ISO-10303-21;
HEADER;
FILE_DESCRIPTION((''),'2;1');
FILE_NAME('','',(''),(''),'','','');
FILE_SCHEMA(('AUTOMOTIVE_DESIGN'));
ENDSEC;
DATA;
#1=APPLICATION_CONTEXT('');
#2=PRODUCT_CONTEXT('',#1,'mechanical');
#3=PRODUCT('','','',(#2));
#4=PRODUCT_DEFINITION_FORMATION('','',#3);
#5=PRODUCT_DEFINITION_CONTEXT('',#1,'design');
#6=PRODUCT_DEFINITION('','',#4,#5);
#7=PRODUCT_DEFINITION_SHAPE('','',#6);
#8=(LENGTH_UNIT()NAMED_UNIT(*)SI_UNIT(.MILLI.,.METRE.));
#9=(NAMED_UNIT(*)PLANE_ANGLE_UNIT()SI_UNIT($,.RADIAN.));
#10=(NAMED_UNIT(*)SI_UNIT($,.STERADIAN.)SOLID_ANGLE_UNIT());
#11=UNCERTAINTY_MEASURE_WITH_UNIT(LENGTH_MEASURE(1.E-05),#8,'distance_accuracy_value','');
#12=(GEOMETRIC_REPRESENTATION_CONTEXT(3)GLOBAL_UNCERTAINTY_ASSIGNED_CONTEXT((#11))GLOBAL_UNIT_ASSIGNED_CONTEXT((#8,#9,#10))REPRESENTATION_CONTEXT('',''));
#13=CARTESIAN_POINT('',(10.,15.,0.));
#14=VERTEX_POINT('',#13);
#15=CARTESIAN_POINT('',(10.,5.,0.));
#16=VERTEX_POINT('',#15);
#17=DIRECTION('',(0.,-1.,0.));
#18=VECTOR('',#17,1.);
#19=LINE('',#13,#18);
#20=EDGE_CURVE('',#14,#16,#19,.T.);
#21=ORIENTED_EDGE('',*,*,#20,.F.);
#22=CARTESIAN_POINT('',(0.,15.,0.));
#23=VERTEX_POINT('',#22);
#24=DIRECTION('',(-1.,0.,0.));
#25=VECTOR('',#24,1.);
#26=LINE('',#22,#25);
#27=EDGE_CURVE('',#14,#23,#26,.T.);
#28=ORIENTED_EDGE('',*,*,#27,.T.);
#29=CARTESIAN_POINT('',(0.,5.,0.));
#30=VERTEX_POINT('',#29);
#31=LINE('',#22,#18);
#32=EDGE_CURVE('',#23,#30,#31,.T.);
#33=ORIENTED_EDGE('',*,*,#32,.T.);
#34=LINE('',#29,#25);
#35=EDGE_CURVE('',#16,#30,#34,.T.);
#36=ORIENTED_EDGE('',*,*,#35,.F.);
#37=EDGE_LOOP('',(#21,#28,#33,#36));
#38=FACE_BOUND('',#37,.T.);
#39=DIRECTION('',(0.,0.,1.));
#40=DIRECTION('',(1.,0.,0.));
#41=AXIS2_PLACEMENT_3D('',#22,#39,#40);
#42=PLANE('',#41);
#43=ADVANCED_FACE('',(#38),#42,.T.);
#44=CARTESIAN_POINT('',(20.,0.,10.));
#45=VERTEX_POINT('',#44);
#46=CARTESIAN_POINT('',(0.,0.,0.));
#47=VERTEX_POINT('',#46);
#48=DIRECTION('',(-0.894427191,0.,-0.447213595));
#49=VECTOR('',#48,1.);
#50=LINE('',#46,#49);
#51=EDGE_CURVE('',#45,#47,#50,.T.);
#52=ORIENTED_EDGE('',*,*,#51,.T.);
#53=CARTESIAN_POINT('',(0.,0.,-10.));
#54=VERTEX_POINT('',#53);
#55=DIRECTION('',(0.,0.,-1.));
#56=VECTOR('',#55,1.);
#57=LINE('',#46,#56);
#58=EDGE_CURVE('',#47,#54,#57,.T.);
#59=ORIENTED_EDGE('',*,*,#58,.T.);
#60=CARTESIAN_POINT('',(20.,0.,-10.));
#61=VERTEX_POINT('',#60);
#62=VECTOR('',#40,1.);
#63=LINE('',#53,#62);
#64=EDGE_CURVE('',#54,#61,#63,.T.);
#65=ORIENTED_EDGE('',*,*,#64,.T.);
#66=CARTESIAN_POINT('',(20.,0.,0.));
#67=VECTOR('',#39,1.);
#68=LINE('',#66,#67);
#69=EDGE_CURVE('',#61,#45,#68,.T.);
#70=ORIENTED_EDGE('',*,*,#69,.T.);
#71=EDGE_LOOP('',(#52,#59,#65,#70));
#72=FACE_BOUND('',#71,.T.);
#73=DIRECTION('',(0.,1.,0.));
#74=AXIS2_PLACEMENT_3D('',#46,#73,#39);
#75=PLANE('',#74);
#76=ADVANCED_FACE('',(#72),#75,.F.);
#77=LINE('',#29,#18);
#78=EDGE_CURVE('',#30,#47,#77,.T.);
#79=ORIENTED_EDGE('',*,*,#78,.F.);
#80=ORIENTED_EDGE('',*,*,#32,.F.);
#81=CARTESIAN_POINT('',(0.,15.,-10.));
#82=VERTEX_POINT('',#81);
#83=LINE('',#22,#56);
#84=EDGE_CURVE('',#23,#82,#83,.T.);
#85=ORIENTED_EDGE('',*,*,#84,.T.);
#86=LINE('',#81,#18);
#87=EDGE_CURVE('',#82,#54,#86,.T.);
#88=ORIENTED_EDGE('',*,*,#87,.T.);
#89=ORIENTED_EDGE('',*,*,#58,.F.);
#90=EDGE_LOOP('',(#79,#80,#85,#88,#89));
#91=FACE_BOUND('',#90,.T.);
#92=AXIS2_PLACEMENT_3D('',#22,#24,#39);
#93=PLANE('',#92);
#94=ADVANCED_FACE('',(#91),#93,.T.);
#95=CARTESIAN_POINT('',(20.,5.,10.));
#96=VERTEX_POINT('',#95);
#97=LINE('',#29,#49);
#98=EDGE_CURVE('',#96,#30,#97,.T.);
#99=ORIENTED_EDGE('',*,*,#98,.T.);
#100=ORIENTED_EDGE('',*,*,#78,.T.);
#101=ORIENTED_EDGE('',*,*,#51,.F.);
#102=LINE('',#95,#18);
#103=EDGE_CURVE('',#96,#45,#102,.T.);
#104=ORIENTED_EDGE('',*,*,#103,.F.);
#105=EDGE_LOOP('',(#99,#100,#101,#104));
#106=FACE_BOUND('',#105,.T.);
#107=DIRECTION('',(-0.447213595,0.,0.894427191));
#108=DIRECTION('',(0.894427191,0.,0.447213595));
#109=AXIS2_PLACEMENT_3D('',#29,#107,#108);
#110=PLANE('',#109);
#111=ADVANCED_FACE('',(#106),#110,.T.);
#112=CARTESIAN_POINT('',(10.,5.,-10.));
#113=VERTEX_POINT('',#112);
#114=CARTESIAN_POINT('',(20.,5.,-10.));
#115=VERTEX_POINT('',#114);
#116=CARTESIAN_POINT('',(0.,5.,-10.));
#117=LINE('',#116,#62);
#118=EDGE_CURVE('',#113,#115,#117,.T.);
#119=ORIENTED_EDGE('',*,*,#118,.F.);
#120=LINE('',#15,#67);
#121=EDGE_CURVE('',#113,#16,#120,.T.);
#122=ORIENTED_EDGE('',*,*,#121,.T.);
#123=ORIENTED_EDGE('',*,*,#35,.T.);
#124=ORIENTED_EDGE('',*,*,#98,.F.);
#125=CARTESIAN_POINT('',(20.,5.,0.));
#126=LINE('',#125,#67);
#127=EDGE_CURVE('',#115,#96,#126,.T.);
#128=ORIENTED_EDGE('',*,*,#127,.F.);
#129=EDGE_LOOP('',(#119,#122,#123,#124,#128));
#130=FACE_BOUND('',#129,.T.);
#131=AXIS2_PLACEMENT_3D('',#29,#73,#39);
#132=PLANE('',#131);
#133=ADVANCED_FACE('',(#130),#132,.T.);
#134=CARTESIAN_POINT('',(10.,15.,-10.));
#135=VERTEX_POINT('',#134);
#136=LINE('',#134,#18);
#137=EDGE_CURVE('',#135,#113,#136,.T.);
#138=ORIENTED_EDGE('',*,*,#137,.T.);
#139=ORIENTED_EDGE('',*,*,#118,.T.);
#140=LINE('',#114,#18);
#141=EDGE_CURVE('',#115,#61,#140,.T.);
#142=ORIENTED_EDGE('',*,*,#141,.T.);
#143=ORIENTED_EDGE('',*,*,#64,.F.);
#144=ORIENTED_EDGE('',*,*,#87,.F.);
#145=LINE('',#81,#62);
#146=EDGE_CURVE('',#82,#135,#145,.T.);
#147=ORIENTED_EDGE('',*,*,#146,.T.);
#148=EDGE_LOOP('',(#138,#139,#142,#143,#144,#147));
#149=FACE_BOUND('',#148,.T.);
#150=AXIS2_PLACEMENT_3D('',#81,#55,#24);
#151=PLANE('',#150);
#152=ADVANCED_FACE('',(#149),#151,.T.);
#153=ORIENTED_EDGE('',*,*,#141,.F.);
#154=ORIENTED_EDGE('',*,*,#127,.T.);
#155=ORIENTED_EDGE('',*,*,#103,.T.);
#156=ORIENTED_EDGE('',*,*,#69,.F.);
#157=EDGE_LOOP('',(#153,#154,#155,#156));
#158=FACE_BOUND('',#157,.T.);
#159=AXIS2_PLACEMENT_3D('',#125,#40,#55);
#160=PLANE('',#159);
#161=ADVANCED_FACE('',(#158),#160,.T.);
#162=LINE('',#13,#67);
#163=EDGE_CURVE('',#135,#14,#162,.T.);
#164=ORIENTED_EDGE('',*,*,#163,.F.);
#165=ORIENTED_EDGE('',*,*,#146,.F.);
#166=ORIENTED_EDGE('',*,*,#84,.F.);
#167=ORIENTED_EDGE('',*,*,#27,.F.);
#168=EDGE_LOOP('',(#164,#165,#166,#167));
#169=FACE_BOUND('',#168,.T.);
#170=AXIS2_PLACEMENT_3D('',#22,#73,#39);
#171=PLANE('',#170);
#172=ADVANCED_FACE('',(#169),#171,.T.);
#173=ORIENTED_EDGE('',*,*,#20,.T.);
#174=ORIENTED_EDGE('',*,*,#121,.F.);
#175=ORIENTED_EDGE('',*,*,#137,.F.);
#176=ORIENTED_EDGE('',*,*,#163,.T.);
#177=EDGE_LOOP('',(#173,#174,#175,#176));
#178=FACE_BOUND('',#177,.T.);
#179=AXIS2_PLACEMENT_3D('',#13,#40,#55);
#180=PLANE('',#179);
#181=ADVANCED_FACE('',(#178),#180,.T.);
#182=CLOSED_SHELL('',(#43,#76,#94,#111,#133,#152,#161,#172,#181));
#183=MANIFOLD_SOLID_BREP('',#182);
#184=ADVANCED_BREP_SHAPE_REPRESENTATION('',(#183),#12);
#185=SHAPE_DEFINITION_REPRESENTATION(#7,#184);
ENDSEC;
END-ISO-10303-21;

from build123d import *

# Parameters (mm, degrees)
SKETCH_1_W      = 10
SKETCH_1_H      = 10
EXTRUDE_1_DEPTH = 15
EXTRUDE_2_DEPTH = 5


with BuildPart() as part:
    # 草圖1 → 填料-伸長1 (new body)
    with BuildSketch(Plane(origin=(0, 0, 0), x_dir=(1, 0, 0), z_dir=(0, 1, 0))):
        with Locations((5, 5)):
            Rectangle(SKETCH_1_W, SKETCH_1_H)
    extrude(amount=EXTRUDE_1_DEPTH)

    # 草圖1<3> → 填料-伸長2 (add)
    with BuildSketch(Plane(origin=(0, 0, 0), x_dir=(1, 0, 0), z_dir=(0, 1, 0))):
        Polygon((10, 0), (0, 0), (20, -10), (20, 10), (10, 10), align=None)
    extrude(amount=EXTRUDE_2_DEPTH)


solid = part.part
